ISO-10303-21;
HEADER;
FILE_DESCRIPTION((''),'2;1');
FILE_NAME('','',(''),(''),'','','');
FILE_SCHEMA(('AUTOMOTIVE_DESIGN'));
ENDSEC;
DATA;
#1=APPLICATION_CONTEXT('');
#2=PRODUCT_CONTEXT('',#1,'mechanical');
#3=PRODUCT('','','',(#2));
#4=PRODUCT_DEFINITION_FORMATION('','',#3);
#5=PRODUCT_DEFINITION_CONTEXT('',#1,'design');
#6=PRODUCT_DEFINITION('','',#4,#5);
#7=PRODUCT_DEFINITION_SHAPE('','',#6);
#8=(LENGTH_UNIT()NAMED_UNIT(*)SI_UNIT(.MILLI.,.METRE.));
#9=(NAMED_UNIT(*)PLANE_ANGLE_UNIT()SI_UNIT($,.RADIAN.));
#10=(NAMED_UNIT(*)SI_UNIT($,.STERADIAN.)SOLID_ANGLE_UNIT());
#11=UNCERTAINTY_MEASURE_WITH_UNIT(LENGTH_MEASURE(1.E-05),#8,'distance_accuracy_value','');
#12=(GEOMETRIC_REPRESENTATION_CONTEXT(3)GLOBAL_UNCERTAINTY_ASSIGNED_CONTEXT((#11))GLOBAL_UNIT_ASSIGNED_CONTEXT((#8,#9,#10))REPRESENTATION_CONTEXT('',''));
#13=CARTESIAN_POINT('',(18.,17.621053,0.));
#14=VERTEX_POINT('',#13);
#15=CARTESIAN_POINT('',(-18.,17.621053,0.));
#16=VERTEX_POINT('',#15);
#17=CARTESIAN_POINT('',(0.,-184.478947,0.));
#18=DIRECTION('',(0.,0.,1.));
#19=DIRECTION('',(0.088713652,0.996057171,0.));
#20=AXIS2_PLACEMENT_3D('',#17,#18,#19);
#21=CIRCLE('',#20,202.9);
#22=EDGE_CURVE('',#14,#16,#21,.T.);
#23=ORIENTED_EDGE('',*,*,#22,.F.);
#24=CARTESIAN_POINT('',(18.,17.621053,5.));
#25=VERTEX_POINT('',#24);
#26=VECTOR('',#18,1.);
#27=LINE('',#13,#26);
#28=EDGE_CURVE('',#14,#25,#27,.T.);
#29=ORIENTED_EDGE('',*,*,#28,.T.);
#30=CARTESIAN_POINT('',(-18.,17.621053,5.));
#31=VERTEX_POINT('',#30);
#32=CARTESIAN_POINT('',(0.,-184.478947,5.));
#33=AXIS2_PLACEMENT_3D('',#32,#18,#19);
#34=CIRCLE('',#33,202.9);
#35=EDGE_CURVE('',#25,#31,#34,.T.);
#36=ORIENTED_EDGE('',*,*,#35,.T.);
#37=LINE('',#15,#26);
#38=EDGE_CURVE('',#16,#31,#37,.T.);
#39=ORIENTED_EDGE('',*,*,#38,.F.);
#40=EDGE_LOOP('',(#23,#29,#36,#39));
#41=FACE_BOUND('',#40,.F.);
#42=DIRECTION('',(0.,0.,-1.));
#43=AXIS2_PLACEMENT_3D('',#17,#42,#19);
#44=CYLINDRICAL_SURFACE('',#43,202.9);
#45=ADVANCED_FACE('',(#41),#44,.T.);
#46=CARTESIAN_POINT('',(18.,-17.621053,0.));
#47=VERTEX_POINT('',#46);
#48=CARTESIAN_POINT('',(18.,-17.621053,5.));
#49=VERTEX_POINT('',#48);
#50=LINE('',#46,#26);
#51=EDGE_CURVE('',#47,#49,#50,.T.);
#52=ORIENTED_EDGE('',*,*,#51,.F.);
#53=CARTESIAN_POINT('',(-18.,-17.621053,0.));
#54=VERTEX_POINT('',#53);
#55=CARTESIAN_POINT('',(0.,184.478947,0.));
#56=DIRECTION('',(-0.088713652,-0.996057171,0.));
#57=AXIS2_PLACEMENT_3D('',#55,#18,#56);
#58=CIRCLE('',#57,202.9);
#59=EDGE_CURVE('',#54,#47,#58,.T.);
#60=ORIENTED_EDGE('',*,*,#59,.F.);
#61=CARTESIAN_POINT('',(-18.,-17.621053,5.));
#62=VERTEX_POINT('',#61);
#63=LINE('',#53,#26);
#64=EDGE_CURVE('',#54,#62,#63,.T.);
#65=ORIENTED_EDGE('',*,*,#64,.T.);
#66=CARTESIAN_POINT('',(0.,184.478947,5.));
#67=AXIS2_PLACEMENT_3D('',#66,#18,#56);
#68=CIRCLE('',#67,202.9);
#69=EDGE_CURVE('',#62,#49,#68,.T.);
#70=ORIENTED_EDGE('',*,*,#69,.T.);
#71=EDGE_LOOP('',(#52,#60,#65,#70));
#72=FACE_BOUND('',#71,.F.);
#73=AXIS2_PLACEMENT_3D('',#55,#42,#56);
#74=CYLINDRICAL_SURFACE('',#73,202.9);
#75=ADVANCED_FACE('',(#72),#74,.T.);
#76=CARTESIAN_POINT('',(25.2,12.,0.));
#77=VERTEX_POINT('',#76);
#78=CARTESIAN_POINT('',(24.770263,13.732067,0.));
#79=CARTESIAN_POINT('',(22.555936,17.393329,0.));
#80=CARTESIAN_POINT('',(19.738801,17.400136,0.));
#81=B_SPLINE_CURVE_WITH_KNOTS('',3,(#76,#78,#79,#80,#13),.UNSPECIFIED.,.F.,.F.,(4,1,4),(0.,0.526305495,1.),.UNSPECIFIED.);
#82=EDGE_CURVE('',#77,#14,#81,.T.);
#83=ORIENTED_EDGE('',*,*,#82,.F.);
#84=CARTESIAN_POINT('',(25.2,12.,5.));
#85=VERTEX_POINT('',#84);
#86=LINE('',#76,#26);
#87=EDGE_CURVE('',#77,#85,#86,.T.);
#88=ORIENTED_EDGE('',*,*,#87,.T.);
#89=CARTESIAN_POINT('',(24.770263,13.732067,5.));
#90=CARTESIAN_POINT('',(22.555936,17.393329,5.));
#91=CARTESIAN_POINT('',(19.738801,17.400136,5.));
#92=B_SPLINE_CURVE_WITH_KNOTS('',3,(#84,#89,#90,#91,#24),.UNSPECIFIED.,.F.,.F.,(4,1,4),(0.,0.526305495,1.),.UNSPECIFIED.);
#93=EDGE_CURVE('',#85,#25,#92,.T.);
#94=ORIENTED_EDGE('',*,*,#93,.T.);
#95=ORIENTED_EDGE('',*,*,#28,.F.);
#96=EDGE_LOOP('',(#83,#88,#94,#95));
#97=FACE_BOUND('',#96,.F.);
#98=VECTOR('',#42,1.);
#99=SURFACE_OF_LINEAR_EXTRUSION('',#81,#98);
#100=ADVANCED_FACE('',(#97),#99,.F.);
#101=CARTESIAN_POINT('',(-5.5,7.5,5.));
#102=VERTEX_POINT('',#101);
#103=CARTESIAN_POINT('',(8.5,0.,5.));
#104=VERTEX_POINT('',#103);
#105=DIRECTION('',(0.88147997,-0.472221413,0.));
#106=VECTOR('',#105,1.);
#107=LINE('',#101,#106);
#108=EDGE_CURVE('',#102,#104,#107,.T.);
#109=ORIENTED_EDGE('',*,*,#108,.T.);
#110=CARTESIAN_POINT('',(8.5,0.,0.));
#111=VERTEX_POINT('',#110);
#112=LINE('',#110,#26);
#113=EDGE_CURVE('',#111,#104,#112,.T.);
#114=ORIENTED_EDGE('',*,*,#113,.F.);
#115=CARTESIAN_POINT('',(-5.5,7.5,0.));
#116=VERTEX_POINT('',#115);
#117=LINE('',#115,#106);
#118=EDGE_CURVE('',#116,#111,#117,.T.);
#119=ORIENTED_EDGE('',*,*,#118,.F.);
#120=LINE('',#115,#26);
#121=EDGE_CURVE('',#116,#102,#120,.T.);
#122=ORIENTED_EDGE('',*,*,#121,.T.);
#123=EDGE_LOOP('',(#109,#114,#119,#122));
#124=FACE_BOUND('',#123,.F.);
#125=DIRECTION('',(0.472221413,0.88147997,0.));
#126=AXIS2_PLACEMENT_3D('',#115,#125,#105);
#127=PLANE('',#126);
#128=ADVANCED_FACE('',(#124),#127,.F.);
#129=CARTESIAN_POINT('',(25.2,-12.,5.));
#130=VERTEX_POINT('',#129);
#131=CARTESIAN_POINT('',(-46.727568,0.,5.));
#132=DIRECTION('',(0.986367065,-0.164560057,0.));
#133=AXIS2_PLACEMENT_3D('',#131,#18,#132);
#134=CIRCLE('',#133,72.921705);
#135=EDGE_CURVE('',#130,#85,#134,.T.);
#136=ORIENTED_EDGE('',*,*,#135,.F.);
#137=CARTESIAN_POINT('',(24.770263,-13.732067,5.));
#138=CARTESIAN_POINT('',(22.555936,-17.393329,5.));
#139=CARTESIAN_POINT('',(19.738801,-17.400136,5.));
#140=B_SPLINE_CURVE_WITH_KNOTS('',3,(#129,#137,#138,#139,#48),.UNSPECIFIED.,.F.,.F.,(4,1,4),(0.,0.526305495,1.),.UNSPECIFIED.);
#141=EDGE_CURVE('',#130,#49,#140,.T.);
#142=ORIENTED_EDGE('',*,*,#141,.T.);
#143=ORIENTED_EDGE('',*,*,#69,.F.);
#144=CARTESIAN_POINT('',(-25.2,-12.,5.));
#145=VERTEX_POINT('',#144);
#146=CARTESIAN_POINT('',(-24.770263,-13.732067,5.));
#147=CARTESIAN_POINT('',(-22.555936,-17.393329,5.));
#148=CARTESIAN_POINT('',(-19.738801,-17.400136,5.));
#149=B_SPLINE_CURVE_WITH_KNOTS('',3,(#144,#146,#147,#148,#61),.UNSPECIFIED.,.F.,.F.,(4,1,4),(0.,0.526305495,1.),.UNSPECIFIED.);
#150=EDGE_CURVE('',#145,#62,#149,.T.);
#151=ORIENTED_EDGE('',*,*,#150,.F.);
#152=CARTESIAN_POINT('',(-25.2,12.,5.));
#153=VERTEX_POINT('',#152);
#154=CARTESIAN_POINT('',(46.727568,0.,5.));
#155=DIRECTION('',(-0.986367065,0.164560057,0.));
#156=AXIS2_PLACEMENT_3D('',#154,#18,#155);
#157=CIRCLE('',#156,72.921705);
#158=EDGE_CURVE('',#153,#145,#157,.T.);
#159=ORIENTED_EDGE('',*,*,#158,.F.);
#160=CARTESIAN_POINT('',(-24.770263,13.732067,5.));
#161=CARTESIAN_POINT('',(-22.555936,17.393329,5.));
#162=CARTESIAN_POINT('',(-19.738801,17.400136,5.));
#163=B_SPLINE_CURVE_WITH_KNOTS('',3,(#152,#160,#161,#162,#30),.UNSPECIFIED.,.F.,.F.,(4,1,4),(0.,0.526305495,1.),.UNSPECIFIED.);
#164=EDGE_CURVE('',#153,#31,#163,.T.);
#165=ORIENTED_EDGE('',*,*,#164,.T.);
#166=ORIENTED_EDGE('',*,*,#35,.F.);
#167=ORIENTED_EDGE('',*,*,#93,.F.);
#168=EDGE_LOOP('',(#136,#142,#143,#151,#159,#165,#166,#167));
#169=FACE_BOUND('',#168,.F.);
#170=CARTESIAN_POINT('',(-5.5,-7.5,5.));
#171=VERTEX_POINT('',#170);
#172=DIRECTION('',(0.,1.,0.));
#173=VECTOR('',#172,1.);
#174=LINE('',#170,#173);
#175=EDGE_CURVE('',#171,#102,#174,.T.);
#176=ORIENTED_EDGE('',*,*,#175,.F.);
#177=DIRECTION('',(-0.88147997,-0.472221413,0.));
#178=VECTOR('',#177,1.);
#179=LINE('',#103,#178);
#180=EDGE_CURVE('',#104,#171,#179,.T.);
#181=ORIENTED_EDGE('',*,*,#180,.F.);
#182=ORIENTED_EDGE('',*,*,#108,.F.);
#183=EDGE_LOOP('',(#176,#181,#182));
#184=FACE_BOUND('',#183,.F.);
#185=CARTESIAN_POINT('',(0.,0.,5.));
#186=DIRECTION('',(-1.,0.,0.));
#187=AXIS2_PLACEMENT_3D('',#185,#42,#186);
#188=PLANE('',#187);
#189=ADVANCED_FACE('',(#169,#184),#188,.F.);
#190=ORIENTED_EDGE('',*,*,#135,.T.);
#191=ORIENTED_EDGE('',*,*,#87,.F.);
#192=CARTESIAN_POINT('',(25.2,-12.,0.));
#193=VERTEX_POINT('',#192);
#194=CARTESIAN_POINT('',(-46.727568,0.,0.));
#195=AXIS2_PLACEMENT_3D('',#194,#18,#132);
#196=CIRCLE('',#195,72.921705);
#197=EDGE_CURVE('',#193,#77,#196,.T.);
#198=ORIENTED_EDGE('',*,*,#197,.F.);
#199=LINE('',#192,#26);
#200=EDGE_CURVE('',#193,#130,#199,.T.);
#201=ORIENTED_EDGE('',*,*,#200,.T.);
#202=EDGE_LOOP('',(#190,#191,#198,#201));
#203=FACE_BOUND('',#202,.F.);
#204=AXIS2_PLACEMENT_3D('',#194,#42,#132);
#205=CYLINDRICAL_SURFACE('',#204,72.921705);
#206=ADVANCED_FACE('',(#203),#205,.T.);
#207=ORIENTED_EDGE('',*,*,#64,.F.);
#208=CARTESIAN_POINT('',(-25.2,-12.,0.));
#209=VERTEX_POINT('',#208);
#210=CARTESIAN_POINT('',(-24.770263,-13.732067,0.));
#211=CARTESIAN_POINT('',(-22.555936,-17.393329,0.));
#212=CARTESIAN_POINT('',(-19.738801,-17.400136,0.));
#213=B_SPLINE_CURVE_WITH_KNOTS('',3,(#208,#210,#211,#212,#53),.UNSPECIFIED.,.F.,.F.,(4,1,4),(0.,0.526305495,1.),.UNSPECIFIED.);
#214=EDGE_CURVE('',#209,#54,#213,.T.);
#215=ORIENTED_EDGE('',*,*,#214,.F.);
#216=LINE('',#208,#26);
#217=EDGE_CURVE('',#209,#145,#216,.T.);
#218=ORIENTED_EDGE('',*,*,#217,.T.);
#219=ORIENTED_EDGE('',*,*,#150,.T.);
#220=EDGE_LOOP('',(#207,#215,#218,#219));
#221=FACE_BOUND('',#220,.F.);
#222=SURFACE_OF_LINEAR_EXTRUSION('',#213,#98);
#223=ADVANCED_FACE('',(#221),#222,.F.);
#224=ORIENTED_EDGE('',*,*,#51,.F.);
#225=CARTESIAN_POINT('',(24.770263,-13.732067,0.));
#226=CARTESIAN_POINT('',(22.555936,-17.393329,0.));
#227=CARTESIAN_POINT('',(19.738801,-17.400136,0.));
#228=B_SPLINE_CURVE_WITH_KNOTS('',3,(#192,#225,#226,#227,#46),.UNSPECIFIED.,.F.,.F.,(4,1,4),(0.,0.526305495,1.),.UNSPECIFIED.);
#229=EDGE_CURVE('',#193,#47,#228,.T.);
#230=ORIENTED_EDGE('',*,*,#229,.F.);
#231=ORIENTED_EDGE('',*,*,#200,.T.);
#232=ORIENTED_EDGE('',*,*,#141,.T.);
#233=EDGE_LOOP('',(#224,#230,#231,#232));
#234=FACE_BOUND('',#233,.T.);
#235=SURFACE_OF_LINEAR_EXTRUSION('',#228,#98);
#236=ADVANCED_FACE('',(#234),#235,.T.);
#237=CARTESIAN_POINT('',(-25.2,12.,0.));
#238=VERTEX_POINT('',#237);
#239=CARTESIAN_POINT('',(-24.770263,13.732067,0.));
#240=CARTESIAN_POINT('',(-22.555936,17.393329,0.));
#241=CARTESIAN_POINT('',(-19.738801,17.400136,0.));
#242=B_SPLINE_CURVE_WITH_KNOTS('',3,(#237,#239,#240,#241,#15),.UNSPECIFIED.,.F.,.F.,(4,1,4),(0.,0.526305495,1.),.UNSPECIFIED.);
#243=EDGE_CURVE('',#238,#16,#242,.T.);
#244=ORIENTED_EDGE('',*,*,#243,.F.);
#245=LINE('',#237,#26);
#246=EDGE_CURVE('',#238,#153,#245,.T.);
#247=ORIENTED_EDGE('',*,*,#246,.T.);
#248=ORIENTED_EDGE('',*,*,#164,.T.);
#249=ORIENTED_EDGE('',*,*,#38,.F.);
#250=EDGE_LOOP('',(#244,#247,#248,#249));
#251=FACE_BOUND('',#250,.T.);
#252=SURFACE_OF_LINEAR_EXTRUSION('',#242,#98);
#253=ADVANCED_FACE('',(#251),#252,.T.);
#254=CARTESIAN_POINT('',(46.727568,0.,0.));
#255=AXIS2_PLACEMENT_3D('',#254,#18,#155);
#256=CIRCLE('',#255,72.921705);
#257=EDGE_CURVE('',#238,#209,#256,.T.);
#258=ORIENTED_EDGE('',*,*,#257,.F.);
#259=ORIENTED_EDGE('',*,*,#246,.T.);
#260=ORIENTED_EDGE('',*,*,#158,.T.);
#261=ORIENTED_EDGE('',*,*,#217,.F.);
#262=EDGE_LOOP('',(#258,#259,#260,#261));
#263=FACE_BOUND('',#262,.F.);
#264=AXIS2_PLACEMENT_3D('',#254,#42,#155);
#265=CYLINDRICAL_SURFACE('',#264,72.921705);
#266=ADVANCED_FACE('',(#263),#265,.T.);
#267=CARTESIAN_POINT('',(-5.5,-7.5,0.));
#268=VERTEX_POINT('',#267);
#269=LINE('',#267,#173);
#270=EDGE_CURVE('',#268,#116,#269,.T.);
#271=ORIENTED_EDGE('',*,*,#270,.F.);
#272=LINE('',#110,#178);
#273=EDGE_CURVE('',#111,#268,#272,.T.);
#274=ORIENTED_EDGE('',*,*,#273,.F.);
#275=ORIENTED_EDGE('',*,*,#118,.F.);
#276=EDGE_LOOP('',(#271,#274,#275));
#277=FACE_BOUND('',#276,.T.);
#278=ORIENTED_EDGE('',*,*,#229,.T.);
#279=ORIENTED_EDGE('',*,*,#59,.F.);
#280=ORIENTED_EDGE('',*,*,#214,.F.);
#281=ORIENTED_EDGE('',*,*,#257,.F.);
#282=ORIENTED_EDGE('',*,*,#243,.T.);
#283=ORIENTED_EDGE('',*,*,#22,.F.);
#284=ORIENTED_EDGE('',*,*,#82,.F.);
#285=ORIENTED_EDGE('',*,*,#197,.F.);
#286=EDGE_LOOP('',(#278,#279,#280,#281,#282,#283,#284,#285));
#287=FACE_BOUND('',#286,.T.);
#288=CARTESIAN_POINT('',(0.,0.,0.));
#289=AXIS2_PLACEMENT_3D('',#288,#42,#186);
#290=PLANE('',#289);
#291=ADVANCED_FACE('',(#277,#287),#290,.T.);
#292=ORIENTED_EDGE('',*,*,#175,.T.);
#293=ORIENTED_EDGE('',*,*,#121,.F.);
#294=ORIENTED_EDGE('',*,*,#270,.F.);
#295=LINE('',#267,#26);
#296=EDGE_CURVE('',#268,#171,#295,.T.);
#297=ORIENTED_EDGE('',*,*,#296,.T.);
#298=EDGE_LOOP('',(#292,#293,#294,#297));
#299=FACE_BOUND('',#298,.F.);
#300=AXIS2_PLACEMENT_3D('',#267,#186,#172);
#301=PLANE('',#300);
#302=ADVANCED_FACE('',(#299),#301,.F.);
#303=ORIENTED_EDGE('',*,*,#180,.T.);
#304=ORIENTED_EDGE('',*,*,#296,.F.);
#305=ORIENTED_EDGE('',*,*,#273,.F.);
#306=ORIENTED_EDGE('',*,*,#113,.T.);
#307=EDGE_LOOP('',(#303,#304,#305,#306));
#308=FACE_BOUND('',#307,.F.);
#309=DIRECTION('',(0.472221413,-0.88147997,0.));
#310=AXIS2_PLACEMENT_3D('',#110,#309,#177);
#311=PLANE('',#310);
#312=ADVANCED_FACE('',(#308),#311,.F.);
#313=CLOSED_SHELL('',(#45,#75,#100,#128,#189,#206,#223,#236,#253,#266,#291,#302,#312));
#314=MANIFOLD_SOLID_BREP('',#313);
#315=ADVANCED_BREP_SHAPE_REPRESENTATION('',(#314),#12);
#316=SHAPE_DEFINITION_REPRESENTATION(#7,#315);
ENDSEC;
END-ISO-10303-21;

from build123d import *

# Parameters (mm, degrees)
F1_DEPTH = 5


with BuildPart() as f1:
    # F0 (on Top) → F1 (new body)
    with BuildSketch(Plane.XY):
        with BuildLine():
            add(Edge.make_bspline(
                [(-25.2, 12), (-24.770263451, 13.7320665567), (-22.5559362307, 17.3933294028), (-19.7388011355, 17.4001357259), (-18, 17.6210526316)],
                knots=[0, 0, 0, 0, 0.5263054949, 1, 1, 1, 1], degree=3))
            ThreePointArc((-25.2, 12), (-26.1941368445, 0), (-25.2, -12))
            add(Edge.make_bspline(
                [(-25.2, -12), (-24.770263451, -13.7320665567), (-22.5559362307, -17.3933294028), (-19.7388011355, -17.4001357259), (-18, -17.6210526316)],
                knots=[0, 0, 0, 0, 0.5263054949, 1, 1, 1, 1], degree=3))
            ThreePointArc((-18, -17.6210526316), (0, -18.4210526316), (18, -17.6210526316))
            add(Edge.make_bspline(
                [(25.2, -12), (24.770263451, -13.7320665567), (22.5559362307, -17.3933294028), (19.7388011355, -17.4001357259), (18, -17.6210526316)],
                knots=[0, 0, 0, 0, 0.5263054949, 1, 1, 1, 1], degree=3))
            ThreePointArc((25.2, -12), (26.1941368445, 0), (25.2, 12))
            add(Edge.make_bspline(
                [(25.2, 12), (24.770263451, 13.7320665567), (22.5559362307, 17.3933294028), (19.7388011355, 17.4001357259), (18, 17.6210526316)],
                knots=[0, 0, 0, 0, 0.5263054949, 1, 1, 1, 1], degree=3))
            ThreePointArc((18, 17.6210526316), (0, 18.4210526316), (-18, 17.6210526316))
        make_face()
        Polygon((-5.5, -7.5), (-5.5, 7.5), (8.5, 0), align=None, mode=Mode.SUBTRACT)
    extrude(amount=F1_DEPTH)


solid = f1.part
